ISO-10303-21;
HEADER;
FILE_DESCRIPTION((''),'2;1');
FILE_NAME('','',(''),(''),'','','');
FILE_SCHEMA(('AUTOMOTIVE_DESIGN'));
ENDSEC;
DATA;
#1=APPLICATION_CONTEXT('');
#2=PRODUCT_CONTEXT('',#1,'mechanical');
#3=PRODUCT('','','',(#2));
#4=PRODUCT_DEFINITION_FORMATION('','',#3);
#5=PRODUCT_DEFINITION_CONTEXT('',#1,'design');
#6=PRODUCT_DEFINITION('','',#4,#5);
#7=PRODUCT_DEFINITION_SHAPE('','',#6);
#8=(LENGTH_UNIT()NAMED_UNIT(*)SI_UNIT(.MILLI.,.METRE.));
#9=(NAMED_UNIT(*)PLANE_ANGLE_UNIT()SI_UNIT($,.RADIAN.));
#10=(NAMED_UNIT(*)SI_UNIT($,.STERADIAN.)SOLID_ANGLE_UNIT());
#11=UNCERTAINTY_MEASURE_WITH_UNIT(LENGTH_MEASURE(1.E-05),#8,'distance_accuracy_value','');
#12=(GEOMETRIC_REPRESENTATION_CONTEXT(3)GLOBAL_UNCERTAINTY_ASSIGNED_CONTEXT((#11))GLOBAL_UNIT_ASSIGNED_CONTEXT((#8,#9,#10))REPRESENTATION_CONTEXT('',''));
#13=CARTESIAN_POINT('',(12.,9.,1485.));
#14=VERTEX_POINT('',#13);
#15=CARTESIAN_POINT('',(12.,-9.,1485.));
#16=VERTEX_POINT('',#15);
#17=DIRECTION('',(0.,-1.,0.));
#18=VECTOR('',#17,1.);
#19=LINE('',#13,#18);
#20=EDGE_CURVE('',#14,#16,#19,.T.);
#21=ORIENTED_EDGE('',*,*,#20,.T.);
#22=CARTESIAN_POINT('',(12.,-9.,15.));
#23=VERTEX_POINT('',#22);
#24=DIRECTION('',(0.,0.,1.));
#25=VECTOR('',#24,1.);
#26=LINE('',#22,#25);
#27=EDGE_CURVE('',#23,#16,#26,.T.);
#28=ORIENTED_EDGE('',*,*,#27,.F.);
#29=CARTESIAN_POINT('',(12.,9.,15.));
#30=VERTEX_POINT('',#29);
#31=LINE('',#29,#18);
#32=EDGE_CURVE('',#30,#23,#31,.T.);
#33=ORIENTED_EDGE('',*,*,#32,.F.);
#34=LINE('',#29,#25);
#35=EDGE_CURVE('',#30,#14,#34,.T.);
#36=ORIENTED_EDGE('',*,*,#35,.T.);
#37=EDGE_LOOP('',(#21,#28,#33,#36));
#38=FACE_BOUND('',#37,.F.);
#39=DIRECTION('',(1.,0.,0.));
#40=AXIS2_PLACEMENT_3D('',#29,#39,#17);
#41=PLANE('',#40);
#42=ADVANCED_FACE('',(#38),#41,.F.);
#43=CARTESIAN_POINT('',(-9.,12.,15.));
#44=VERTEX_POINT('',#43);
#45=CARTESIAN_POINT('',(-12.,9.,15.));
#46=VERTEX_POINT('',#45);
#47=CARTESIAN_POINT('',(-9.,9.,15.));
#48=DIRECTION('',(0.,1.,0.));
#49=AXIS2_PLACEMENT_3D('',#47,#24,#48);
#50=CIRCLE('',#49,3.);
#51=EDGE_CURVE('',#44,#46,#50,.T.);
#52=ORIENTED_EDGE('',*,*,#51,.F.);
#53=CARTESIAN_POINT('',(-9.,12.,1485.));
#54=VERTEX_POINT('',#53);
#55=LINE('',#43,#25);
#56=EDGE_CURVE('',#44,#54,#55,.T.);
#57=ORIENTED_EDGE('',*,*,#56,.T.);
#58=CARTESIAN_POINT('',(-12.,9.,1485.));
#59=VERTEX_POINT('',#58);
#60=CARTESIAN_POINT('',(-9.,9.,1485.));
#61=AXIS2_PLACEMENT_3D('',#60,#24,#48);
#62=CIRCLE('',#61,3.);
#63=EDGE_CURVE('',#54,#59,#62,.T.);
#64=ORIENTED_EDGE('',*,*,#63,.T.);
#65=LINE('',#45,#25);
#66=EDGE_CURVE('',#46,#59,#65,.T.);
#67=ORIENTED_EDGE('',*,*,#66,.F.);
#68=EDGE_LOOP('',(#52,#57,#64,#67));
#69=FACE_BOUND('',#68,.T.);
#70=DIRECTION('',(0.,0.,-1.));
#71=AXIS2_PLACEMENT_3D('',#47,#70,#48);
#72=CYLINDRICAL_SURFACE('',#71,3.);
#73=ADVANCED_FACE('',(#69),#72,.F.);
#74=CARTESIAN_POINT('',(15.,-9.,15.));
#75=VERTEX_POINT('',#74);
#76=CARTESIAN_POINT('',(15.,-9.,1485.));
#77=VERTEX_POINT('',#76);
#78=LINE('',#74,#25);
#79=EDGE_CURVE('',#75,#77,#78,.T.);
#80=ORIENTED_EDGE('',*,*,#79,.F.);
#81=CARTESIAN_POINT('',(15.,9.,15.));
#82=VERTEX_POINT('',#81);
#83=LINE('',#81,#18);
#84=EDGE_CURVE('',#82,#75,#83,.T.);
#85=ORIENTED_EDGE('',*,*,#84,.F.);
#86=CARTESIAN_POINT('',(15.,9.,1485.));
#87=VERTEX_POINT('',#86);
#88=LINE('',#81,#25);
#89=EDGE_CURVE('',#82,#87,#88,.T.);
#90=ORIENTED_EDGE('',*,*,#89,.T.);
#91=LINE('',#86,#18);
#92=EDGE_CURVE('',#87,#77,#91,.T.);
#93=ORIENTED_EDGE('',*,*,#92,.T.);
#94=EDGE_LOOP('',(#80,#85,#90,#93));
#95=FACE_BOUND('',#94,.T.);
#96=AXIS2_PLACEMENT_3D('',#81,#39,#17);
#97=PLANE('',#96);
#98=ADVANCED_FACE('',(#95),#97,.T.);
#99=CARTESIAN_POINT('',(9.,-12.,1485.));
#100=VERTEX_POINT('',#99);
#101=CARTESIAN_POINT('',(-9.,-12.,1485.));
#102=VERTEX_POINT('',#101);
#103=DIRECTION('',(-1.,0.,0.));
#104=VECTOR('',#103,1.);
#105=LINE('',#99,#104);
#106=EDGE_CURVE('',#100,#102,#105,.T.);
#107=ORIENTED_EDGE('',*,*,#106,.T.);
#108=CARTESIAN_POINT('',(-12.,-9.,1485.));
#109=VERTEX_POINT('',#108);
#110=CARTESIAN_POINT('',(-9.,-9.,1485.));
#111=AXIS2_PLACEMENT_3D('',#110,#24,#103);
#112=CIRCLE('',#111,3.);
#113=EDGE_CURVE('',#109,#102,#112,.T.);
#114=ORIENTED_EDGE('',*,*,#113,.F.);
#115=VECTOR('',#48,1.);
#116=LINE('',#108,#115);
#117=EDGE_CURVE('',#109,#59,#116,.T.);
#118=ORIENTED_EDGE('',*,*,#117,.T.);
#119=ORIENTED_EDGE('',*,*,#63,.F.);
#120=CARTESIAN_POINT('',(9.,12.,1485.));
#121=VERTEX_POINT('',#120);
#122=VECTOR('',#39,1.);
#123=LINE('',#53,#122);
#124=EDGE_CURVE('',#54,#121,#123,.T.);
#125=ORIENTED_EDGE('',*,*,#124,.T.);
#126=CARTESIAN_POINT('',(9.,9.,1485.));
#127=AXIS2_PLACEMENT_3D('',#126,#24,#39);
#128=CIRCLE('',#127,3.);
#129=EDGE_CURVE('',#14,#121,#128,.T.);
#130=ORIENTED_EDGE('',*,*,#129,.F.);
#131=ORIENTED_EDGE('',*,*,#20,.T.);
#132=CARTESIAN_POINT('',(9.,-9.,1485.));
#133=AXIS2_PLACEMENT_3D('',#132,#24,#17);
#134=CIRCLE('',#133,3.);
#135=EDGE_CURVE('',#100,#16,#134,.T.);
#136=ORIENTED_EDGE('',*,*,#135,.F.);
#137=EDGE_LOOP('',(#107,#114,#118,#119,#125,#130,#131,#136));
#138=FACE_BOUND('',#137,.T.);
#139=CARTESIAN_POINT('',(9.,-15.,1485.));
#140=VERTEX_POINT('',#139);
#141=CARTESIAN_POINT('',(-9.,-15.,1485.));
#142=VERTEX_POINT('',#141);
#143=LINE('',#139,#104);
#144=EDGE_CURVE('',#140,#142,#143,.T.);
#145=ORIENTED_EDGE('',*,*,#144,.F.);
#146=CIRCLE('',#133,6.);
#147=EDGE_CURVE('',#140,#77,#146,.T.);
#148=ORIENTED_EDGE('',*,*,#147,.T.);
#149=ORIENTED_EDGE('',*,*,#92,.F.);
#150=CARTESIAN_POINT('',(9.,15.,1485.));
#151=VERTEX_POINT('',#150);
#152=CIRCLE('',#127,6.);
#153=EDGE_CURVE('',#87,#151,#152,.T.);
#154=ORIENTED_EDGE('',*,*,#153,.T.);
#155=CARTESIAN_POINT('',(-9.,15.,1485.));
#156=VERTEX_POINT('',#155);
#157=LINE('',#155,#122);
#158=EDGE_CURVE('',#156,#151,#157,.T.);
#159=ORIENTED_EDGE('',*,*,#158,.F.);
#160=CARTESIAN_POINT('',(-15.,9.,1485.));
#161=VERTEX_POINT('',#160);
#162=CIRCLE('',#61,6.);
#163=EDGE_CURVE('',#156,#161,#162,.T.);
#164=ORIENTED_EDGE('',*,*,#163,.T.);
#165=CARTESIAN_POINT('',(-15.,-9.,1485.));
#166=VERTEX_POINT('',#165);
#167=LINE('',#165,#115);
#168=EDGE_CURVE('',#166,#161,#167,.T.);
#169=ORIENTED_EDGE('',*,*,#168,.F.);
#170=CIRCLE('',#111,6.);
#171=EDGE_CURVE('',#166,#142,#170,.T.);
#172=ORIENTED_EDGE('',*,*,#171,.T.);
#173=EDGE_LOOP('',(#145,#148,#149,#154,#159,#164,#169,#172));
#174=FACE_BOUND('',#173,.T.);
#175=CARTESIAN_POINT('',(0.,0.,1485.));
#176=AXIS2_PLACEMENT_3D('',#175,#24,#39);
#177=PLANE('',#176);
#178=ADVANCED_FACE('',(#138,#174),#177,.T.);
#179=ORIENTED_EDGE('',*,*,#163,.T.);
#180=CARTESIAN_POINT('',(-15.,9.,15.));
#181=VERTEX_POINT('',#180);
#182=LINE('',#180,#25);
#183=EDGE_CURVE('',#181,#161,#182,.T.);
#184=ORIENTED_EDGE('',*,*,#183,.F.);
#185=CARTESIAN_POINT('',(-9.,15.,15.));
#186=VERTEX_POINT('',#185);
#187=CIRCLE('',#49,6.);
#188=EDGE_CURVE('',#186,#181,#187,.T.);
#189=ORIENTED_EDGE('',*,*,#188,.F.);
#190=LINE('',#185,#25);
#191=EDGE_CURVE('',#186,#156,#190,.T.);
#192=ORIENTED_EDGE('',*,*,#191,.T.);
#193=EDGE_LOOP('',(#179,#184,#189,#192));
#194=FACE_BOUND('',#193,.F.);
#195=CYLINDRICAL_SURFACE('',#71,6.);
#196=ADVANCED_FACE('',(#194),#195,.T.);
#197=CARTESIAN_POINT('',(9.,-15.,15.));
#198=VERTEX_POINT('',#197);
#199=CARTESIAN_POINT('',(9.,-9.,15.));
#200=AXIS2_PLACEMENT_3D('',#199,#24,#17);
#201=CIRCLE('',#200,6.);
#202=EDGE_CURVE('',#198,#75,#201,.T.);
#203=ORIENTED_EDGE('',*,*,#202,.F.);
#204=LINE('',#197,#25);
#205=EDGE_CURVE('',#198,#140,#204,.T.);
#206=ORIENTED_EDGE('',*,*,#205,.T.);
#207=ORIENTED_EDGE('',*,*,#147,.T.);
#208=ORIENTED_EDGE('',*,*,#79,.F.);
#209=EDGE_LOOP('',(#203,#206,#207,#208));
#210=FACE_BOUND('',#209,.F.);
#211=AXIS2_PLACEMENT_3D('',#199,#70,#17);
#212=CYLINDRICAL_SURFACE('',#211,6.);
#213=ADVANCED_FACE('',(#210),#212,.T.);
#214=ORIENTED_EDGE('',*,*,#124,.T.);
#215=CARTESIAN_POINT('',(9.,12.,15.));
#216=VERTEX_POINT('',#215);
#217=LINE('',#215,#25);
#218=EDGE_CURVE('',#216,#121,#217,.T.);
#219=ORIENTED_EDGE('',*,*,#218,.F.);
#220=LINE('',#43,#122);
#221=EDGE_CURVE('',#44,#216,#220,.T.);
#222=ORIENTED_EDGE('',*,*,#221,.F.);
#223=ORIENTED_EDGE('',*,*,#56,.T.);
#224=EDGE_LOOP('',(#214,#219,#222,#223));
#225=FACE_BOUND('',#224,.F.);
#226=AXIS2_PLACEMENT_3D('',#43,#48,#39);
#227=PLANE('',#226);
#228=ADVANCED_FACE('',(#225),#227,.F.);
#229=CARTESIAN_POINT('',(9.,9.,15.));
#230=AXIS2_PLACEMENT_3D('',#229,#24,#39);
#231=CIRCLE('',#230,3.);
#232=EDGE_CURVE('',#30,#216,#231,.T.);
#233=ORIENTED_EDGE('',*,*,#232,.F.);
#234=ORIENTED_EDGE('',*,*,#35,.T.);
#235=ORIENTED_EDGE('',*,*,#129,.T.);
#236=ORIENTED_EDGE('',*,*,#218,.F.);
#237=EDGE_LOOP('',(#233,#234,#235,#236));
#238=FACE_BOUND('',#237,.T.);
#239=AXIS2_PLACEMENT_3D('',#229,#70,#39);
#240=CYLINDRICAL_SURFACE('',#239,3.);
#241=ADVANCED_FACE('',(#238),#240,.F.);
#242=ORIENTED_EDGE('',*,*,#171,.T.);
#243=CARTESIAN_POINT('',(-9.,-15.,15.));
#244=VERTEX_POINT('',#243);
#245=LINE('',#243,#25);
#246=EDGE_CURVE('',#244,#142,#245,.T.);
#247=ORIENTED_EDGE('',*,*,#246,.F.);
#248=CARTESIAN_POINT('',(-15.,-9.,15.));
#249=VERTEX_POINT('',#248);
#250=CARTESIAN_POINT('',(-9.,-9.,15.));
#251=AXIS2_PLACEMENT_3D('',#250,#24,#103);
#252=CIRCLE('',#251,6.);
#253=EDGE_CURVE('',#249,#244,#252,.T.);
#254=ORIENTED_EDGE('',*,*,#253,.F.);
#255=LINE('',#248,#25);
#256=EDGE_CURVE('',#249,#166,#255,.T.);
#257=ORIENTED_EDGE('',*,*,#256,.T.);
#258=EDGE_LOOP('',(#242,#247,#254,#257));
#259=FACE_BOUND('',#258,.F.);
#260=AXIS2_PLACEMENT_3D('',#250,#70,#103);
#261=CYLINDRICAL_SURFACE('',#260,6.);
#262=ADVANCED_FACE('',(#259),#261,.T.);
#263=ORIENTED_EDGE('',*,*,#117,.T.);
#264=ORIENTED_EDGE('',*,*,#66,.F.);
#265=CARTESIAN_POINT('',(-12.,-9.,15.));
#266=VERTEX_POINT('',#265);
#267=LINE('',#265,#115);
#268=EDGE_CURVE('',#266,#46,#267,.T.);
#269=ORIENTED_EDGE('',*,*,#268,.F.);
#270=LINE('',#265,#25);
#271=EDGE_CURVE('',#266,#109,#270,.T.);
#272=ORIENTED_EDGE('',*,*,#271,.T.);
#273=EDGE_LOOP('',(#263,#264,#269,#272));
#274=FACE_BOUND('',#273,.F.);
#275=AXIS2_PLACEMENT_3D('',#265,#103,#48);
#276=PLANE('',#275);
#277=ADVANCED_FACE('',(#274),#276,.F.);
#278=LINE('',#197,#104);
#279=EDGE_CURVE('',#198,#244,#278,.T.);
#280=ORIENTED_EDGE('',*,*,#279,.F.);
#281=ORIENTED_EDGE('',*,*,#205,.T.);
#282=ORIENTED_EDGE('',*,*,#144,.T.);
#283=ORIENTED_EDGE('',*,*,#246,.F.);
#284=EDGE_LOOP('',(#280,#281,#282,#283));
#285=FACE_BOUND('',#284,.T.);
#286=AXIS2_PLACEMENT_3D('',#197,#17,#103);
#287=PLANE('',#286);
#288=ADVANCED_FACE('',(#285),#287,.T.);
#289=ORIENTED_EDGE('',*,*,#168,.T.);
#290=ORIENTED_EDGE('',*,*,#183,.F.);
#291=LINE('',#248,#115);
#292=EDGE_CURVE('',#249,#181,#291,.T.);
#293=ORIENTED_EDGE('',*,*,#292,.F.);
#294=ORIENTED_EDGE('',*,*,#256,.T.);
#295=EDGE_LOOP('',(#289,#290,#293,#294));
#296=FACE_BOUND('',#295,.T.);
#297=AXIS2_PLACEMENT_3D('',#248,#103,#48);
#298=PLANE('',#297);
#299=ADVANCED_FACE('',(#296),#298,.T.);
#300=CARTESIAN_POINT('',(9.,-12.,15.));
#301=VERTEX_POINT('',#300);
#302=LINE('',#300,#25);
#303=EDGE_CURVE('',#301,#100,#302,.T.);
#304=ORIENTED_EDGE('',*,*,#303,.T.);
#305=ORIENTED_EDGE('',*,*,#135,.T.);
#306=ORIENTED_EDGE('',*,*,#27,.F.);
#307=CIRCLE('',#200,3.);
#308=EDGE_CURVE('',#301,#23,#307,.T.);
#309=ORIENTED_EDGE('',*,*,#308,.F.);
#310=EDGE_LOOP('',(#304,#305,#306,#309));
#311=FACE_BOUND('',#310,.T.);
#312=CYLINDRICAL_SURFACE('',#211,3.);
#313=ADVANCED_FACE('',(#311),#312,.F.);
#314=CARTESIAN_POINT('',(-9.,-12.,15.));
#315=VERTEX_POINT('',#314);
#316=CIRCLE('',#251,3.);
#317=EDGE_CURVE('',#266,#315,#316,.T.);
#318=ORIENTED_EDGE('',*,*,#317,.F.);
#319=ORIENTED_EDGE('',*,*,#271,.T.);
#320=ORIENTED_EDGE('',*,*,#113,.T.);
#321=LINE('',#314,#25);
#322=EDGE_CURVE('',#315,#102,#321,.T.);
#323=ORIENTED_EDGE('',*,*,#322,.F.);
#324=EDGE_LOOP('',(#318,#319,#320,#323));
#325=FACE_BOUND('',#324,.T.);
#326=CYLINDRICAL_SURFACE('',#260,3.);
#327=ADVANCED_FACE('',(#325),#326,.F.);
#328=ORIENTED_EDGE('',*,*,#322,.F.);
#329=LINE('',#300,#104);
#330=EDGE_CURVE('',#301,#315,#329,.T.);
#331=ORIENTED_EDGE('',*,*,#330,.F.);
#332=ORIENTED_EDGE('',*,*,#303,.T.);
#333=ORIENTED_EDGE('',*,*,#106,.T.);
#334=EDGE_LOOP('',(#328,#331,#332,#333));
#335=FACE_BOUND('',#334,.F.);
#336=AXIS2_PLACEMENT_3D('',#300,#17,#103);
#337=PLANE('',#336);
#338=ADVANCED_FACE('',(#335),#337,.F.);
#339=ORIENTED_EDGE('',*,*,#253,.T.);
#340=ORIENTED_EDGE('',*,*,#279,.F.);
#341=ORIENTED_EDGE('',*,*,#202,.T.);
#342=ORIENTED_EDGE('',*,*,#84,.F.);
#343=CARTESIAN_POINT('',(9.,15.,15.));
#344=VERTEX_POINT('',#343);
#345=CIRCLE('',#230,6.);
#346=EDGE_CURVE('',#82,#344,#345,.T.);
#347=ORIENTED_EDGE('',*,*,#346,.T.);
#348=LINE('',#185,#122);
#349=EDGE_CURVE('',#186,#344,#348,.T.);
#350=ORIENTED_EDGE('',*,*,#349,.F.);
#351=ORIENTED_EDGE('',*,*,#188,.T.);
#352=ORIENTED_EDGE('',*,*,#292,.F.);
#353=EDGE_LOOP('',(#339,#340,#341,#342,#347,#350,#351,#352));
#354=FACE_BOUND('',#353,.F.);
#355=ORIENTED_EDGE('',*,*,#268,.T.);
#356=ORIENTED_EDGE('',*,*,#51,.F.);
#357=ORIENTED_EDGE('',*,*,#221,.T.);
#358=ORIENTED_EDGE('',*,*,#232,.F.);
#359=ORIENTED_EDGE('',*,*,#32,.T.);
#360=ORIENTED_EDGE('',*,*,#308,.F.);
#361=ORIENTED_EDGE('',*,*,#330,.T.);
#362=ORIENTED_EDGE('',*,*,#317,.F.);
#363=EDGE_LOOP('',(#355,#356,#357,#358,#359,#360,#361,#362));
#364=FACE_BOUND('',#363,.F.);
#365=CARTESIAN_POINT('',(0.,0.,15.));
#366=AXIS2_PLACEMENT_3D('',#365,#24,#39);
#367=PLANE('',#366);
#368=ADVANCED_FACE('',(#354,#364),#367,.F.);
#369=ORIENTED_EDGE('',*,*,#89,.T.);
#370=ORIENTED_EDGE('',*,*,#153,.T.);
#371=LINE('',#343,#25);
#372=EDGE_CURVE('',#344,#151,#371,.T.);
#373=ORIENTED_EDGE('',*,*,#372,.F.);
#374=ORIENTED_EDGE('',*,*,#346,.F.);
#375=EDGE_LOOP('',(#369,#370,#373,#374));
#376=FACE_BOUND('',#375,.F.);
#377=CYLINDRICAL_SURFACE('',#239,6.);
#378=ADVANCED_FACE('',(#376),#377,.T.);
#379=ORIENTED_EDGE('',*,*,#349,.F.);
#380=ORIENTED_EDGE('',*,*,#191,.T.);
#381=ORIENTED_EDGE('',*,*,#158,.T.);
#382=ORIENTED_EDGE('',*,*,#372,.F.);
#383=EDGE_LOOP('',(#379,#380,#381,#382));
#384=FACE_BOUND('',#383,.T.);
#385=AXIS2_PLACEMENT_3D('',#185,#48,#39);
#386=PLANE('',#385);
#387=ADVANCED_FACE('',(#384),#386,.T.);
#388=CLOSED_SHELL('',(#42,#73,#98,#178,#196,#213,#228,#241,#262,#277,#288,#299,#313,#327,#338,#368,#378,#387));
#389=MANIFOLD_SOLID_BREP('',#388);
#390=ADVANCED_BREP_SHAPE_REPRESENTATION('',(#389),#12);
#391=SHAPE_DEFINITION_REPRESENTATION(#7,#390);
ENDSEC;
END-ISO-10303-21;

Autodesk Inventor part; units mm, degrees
ref_plane "Start Plane" through (0, 0, 15) normal (0, 0, 1) x (1, 0, 0)
ref_plane "End Plane" through (0, 0, 1485) normal (0, 0, 1) x (1, 0, 0)
sketch "Sketch" plane through (0, 0, 0) normal (0, 0, 1) x (1, 0, 0)
  line L0 (-15, -9) -> (-15, 9)
  line L1 (-9, 15) -> (9, 15)
  line L2 (15, 9) -> (15, -9)
  line L3 (9, -15) -> (-9, -15)
  arc A0 (-15, -9) -> (-9, -15) centre (-9, -9) ccw
  arc A1 (-9, 15) -> (-15, 9) centre (-9, 9) ccw
  arc A2 (15, 9) -> (9, 15) centre (9, 9) ccw
  arc A3 (9, -15) -> (15, -9) centre (9, -9) ccw
  arc A4 (-9, 12) -> (-12, 9) centre (-9, 9) ccw
  line L4 (-9, 12) -> (9, 12)
  arc A5 (12, 9) -> (9, 12) centre (9, 9) ccw
  line L5 (12, 9) -> (12, -9)
  arc A6 (9, -12) -> (12, -9) centre (9, -9) ccw
  line L6 (9, -12) -> (-9, -12)
  arc A7 (-12, -9) -> (-9, -12) centre (-9, -9) ccw
  line L7 (-12, -9) -> (-12, 9)
  line L8 (0, 22.7397) -> (0, -22.7397) construction
  line L9 (-22.7397, 0) -> (22.7397, 0) construction
  dimension "d7" = 6
  dimension "d10" = 30
  dimension "d11" = 30
  dimension "d12" = 3
  dimension "d15" = 15
  dimension "d16" = 15
extrude "Body" add sketch "Sketch" along normal up to surface (1470 mm away) from surface at 15
sketch "Sketch3" plane through (0, 0, 0) normal (0, 0, 1) x (1, 0, 0)
  line L0 (0, 0) -> (10, 0)
ref_plane "Work Plane3" through (0, 0, 0) normal (0, -1, 0) x (1, 0, 0)
ref_plane "Work Plane4" through (678.5, 9, 15) normal (0, 0, -1) x (-1, 0, 0)
split "Split1" plane through (678.5, 9, 15) removes the side toward (0, 0, -1)
ref_plane "Work Plane5" through (678.5, -9, 1485) normal (0, 0, 1) x (1, 0, 0)
split "Split2" plane through (678.5, -9, 1485) removes the side toward (0, 0, 1)
sketch "Sketch4" plane through (0, 0, 0) normal (0, -1, 0) x (1, 0, 0)
  line L0 (-2, 15) -> (12, 15) projected
  line L1 (-2, 1485) -> (12, 1485) projected
  dimension "d18" = 1470
equation "\"d7\" = G_IR"
equation "\"d10\" = G_H"
equation "\"d11\" = G_W"
equation "\"d12\" = G_T"
equation "\"d15\" = 0.5 * d10"
equation "\"d16\" = 0.5 * d11"
equation "\"d3\" = G_L"
equation "\"G_W\" = 30"
equation "\"G_H\" = 30"
equation "\"G_T\" = 3"
equation "\"G_IR\" = 6"
equation "\"G_L\" = d18"
equation "\"G_OFFSET_START\" = -15"
equation "\"G_OFFSET_END\" = -15"
equation "\"d13\" = -G_OFFSET_START"
equation "\"d14\" = G_OFFSET_END + B_L"
equation "\"B_L\" = 1500"
properties part number "DIN EN 10219-2 - 30 x 30 x 3  - 1470" material "Steel, Mild"
